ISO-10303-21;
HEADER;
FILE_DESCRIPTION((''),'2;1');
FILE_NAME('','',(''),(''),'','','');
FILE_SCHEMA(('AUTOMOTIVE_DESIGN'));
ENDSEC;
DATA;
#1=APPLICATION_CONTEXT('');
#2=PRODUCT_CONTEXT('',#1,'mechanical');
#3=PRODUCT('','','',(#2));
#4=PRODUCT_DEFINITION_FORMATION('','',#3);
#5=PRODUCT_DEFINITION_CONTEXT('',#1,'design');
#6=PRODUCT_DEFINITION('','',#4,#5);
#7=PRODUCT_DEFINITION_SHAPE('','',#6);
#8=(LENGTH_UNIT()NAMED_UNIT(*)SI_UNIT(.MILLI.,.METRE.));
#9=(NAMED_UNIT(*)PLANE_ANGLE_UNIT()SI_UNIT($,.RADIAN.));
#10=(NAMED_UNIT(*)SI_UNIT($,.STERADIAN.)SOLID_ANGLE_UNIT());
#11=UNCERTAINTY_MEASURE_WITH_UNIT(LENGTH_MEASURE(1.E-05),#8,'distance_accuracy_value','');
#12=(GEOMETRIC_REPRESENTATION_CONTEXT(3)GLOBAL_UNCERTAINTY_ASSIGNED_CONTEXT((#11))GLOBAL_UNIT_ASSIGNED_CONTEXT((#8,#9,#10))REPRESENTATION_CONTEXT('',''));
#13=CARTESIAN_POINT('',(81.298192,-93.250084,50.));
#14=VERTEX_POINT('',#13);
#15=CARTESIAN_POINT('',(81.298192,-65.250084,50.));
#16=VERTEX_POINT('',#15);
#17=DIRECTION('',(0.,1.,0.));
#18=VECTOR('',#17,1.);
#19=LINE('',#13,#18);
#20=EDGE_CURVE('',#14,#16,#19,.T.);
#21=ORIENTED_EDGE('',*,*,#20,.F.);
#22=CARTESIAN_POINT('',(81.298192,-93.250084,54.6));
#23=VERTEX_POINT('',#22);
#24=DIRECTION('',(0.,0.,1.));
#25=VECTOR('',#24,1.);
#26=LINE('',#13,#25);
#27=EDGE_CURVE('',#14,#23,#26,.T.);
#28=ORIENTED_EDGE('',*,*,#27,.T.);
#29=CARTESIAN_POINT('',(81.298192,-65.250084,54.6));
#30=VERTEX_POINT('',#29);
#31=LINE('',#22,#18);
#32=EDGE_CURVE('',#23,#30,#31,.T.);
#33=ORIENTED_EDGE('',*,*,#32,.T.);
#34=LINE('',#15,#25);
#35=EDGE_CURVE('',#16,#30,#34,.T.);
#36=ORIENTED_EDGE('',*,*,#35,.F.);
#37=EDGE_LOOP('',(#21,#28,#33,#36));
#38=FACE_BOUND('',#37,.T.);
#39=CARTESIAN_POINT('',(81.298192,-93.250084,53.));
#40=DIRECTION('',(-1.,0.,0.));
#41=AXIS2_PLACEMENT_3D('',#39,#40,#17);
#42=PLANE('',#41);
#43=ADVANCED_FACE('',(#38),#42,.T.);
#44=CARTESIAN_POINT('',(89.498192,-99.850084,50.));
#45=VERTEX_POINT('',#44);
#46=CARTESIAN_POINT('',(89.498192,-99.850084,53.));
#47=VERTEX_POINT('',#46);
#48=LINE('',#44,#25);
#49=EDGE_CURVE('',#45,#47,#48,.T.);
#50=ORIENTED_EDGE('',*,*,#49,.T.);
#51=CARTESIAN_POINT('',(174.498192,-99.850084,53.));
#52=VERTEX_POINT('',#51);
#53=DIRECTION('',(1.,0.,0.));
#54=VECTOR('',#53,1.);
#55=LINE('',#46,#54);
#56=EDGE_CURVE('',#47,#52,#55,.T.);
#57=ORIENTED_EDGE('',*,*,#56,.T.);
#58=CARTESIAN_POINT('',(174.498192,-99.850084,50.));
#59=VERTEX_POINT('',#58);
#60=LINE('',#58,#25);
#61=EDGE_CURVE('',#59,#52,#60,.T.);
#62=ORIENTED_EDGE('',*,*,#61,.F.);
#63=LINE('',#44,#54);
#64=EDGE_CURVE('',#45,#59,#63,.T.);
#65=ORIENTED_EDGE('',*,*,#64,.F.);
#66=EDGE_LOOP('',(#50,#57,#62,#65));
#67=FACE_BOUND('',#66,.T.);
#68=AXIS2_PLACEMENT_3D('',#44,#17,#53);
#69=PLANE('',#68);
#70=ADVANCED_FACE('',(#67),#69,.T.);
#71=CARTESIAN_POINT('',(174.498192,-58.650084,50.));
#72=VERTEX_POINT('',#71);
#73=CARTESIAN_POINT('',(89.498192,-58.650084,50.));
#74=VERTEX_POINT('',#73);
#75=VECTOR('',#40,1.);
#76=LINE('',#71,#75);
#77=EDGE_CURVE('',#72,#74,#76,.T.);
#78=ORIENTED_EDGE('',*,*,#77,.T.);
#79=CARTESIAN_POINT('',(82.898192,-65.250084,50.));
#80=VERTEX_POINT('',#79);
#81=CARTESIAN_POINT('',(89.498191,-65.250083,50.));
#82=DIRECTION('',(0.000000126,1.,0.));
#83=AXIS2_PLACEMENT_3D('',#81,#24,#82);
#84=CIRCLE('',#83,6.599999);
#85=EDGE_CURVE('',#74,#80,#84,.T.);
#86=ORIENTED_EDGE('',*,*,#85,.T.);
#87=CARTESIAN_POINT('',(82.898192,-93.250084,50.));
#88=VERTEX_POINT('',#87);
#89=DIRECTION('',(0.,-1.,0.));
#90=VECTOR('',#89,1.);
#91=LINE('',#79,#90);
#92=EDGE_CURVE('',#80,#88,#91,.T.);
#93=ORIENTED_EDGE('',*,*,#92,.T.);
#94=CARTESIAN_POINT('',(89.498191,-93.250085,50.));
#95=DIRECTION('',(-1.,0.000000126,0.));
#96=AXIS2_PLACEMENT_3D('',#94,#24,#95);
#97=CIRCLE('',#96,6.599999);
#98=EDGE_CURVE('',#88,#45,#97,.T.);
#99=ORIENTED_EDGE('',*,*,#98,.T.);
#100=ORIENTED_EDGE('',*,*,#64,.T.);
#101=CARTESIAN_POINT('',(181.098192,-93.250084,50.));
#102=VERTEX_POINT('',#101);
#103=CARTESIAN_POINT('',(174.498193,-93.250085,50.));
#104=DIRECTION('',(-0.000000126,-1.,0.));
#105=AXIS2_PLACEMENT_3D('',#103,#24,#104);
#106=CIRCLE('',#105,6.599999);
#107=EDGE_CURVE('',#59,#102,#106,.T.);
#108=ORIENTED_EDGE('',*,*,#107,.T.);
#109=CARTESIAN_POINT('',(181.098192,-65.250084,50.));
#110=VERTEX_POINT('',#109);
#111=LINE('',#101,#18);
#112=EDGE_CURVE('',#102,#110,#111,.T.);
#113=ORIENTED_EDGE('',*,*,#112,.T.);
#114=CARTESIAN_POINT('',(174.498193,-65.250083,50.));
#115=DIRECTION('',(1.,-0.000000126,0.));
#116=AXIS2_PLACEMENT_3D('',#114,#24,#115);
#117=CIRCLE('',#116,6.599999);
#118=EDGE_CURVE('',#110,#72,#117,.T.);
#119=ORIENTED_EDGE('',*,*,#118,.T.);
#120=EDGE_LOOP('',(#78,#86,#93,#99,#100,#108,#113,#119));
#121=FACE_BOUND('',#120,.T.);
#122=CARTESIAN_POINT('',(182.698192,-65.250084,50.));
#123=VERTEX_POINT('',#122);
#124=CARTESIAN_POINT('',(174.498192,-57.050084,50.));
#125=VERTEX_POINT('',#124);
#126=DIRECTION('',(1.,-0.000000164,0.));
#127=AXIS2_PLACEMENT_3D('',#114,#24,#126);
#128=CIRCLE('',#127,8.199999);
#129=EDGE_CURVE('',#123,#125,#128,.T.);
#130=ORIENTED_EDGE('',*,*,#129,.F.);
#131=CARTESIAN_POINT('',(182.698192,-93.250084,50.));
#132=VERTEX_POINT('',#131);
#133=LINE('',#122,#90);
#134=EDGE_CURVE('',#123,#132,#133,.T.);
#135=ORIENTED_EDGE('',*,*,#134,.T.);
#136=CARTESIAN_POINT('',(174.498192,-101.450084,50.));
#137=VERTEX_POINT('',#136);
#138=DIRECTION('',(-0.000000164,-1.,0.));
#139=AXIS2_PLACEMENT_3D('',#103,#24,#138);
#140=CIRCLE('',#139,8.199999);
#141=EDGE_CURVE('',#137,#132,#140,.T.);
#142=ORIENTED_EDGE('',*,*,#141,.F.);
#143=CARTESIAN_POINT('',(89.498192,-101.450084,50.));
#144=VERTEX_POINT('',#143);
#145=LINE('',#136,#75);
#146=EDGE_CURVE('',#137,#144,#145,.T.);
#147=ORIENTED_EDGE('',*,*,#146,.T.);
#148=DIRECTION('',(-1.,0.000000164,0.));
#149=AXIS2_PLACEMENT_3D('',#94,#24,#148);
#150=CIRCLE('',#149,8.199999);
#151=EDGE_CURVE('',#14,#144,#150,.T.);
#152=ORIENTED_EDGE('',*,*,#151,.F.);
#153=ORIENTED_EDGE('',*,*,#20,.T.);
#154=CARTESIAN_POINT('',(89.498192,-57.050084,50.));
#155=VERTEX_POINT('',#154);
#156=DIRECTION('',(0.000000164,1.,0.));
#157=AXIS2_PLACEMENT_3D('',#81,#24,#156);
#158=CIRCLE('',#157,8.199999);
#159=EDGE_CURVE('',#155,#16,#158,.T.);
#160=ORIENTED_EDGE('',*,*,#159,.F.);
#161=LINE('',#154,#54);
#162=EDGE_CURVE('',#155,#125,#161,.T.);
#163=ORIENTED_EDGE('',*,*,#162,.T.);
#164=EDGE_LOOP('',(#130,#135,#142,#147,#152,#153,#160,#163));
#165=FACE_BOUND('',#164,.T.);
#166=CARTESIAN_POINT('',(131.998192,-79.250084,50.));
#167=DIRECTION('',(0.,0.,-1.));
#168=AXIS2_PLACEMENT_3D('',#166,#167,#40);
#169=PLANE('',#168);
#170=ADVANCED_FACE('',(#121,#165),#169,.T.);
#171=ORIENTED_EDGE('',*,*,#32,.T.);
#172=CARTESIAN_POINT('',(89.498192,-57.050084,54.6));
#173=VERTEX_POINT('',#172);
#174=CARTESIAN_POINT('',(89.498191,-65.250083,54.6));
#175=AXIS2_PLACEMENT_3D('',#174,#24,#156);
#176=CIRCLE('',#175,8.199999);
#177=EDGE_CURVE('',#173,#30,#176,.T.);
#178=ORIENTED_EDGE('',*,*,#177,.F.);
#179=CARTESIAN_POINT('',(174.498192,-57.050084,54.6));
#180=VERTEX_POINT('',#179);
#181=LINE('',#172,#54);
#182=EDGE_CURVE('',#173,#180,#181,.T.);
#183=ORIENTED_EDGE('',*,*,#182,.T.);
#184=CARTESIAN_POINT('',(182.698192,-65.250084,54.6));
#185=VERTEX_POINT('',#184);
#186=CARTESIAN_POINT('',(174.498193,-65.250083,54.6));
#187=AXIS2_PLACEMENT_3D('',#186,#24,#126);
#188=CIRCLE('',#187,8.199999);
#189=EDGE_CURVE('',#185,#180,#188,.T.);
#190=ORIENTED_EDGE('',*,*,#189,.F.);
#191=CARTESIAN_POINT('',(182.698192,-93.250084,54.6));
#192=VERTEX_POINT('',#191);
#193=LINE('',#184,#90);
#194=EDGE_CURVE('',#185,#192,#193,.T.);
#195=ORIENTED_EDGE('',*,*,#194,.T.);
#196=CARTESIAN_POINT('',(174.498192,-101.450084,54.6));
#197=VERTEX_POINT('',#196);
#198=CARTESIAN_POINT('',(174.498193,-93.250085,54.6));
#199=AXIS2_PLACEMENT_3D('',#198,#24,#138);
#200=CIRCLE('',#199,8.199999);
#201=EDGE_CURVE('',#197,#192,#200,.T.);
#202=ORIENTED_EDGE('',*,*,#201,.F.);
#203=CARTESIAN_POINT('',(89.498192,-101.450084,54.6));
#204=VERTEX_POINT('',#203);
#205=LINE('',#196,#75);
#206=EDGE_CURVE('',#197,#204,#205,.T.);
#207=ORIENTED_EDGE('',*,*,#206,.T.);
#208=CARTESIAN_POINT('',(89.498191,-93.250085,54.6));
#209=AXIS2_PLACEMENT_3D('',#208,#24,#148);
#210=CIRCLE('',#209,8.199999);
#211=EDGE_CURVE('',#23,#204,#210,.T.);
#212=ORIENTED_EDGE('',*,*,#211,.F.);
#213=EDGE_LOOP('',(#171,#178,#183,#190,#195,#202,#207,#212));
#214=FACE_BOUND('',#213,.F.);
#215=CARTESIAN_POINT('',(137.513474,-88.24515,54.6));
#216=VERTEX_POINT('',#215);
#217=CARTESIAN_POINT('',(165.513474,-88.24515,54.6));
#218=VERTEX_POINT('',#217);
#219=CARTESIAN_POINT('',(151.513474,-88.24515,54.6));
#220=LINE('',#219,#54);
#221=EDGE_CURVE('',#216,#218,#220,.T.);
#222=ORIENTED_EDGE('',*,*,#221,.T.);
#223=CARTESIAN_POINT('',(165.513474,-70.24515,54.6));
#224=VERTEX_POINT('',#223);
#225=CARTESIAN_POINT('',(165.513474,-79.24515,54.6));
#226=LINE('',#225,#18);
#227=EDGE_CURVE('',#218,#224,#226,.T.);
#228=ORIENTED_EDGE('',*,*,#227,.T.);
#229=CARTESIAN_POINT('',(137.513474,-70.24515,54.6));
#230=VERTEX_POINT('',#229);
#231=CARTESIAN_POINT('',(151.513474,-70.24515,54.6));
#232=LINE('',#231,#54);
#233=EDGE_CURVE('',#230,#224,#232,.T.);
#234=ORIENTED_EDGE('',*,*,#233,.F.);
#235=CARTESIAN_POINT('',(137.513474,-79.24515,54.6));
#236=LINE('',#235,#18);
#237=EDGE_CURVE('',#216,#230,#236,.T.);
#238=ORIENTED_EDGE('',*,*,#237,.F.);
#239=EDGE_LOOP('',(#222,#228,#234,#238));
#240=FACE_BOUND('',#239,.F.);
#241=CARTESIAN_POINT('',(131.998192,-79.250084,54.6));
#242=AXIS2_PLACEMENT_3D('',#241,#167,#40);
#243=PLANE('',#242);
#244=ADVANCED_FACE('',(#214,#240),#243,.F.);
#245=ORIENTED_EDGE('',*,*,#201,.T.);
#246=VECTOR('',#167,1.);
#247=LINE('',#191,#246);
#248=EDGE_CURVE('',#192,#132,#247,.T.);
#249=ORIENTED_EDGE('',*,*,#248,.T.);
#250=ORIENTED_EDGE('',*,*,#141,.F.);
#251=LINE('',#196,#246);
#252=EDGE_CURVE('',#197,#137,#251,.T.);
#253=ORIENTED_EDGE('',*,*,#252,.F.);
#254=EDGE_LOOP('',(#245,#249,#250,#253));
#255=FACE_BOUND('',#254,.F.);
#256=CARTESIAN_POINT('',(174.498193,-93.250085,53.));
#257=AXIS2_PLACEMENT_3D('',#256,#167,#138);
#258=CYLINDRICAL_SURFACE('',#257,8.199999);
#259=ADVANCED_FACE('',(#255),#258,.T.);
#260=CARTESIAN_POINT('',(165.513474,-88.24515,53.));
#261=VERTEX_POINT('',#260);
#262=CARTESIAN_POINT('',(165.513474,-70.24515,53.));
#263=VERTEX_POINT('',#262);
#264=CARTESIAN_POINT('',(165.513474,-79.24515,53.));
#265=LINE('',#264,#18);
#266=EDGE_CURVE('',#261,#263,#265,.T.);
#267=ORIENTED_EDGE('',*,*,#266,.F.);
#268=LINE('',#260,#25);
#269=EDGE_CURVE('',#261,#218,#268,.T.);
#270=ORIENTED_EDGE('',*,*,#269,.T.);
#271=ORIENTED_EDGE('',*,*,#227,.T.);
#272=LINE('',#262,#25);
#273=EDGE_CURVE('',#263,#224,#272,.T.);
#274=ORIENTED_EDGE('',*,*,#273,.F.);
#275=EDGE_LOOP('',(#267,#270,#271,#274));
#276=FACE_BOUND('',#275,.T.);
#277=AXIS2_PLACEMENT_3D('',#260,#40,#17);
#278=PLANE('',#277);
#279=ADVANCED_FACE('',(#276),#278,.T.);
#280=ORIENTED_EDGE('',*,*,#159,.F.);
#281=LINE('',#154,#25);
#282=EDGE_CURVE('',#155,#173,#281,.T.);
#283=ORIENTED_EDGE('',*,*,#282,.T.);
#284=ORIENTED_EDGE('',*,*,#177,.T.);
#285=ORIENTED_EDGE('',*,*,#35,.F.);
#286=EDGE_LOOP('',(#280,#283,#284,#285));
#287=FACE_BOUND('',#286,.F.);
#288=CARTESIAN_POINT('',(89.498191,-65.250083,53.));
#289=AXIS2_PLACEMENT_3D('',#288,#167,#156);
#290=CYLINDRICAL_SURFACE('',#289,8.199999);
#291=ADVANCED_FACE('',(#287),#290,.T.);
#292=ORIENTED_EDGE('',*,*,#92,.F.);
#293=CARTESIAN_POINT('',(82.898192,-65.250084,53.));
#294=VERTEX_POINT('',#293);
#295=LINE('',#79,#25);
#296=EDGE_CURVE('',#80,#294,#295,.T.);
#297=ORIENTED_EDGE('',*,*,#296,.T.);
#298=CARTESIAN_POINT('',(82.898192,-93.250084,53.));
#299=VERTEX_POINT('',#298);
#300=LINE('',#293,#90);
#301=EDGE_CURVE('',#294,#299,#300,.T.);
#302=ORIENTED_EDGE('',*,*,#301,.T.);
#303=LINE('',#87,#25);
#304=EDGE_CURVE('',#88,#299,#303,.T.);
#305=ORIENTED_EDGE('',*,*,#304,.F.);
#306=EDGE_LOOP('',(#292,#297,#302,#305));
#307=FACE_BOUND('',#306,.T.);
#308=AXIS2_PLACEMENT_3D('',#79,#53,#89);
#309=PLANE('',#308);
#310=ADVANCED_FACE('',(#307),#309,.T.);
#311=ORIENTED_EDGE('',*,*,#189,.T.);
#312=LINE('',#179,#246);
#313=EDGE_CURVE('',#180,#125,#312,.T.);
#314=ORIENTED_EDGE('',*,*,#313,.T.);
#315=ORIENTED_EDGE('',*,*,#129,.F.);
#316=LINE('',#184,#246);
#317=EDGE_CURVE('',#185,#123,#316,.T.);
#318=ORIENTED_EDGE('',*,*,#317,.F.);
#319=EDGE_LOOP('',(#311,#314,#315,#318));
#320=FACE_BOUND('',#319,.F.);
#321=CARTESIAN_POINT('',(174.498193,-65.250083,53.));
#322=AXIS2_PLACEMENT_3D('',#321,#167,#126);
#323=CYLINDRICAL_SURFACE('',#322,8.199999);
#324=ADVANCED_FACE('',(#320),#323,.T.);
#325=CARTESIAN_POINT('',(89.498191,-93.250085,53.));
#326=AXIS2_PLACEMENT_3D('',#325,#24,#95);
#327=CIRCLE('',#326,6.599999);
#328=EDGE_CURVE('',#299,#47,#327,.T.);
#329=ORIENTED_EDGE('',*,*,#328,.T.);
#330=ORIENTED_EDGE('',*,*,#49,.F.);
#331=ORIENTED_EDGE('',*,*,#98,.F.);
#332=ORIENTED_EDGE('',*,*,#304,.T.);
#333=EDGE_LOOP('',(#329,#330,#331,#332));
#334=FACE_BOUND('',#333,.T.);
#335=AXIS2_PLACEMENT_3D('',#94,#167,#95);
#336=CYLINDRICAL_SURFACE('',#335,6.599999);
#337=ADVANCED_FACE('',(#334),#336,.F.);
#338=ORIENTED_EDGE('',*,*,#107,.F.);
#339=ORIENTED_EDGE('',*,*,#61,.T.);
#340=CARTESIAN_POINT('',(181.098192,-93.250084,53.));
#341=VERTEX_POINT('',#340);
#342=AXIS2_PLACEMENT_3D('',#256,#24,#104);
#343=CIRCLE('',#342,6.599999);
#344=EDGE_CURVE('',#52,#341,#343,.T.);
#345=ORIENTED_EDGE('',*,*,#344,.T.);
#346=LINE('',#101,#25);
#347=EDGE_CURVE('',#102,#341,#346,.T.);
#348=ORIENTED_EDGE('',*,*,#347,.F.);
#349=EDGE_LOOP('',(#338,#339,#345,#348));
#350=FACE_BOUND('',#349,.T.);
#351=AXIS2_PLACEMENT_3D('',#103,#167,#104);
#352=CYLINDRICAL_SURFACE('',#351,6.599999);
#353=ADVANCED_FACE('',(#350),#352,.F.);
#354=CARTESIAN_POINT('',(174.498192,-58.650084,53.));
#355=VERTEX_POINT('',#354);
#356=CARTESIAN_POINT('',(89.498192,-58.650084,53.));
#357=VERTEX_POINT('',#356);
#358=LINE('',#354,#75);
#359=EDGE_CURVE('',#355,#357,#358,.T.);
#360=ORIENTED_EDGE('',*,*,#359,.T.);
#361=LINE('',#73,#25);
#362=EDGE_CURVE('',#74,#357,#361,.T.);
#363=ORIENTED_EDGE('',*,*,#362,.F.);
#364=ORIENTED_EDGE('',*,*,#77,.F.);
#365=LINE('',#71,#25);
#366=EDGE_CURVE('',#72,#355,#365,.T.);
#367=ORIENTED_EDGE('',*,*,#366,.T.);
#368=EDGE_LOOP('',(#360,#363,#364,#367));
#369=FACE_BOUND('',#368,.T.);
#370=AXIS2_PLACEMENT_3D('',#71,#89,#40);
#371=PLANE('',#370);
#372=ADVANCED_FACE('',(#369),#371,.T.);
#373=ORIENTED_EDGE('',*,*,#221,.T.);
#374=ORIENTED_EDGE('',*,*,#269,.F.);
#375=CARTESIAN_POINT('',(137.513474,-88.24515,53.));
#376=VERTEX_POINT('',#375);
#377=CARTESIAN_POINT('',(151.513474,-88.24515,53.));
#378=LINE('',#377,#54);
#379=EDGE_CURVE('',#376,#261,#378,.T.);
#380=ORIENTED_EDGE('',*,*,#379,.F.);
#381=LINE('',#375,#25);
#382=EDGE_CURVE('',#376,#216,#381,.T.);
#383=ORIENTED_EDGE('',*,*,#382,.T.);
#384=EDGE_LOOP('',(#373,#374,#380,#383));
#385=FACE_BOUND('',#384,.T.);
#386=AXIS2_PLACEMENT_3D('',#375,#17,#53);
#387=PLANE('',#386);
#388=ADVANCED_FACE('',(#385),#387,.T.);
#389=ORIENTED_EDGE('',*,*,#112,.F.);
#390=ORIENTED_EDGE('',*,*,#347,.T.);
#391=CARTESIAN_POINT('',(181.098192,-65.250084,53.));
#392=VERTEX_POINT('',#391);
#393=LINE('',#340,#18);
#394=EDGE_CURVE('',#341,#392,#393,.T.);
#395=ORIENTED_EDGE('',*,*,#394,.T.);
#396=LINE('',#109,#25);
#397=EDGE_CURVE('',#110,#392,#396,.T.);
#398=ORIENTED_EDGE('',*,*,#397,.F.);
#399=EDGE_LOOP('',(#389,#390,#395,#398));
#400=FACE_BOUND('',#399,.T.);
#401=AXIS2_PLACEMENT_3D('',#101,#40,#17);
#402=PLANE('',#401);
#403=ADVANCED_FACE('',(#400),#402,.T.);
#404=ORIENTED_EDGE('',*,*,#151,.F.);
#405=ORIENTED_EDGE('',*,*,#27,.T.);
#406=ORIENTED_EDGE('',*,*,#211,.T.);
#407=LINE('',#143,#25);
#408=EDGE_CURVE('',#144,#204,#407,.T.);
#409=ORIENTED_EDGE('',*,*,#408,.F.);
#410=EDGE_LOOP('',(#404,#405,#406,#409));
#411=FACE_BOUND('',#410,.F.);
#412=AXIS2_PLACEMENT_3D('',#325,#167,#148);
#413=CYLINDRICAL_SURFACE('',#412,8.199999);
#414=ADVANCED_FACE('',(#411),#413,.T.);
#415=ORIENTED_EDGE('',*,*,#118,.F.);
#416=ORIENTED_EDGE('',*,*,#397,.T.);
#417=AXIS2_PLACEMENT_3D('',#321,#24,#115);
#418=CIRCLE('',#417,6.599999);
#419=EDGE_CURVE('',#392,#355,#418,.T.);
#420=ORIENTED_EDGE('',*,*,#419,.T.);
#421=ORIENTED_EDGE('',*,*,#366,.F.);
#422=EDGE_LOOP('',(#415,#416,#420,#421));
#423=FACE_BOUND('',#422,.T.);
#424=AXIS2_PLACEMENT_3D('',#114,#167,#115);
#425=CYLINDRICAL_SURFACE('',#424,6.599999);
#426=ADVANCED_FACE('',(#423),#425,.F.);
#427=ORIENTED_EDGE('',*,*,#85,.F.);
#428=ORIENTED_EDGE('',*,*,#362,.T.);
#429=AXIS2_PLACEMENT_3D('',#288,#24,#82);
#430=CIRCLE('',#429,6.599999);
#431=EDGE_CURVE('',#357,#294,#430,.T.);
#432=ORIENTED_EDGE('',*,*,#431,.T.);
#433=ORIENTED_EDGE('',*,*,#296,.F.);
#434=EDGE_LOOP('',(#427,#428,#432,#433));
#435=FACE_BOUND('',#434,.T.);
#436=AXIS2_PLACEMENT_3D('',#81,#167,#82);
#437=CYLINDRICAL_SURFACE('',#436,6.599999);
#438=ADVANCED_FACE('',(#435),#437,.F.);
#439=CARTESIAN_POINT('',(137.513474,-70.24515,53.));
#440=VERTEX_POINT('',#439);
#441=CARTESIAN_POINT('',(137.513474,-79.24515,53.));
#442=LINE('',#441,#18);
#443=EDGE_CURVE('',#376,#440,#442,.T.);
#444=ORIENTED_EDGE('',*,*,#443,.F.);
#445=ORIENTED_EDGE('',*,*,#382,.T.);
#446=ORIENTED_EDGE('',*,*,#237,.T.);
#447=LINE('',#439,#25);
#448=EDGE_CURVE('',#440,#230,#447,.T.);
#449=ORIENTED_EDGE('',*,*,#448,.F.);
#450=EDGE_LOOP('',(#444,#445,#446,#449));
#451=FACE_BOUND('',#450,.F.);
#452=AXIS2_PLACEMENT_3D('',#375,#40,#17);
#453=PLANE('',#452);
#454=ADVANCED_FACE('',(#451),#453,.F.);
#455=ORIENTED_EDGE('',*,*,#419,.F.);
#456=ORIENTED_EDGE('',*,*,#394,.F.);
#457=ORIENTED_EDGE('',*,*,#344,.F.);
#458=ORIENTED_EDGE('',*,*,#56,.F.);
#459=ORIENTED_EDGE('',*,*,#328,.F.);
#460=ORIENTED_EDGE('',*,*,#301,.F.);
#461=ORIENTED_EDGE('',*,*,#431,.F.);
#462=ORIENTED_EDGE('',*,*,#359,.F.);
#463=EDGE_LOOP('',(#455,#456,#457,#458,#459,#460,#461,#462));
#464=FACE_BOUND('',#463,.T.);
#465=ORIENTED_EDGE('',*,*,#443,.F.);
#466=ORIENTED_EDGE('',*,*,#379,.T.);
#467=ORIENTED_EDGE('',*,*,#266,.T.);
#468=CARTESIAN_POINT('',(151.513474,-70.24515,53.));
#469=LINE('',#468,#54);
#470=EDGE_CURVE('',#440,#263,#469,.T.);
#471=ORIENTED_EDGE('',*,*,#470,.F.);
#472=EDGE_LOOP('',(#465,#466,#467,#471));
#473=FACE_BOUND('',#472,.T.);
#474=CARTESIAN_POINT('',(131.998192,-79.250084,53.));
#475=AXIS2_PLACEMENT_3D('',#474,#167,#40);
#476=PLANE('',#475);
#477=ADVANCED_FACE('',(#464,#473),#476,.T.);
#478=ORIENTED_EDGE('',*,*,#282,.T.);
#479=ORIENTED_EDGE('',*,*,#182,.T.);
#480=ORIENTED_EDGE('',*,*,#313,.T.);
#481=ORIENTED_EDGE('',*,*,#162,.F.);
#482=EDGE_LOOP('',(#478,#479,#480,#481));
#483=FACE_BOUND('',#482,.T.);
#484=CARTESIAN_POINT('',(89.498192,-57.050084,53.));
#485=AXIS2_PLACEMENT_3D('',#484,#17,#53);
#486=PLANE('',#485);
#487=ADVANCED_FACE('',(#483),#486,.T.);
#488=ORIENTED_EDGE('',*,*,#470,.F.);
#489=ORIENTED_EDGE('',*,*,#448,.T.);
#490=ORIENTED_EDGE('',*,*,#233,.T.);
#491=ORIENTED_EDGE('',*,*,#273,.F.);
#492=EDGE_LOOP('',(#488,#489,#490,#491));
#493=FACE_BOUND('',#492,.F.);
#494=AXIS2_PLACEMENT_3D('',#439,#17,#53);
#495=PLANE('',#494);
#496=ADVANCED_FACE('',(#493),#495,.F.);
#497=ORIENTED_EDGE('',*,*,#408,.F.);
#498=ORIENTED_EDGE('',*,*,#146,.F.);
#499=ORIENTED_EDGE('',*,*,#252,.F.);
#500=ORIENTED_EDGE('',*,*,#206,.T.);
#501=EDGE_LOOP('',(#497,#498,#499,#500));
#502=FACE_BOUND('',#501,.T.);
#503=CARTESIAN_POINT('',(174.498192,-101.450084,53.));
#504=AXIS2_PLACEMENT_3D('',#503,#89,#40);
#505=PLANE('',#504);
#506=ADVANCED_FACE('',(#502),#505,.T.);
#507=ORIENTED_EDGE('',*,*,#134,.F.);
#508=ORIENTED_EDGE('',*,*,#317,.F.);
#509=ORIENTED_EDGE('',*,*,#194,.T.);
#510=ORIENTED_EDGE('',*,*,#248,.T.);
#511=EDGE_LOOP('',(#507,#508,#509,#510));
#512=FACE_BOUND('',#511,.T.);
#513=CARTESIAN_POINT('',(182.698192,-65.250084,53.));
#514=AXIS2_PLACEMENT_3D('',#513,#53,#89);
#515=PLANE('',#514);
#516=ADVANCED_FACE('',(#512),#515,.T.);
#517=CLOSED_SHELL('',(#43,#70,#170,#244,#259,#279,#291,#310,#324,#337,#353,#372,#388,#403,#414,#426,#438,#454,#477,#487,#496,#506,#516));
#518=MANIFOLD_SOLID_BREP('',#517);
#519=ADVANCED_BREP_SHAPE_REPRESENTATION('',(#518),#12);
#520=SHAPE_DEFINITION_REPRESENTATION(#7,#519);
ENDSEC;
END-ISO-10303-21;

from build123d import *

# Parameters (mm, degrees)
SKETCH004_W      = 28
SKETCH004_H      = 18
EXTRUDE004_DEPTH = 1.6
EXTRUDE003_DEPTH = 3


with BuildPart() as dekseltop:
    # Sketch004 → Extrude004 (new body)
    with BuildSketch(Plane.XY):
        with BuildLine():
            Line((89.498192, -57.050084), (174.498192, -57.050084))
            ThreePointArc((182.698192, -65.250084), (180.296468, -59.451808), (174.498192, -57.050084))
            Line((182.698192, -65.250084), (182.698192, -93.250084))
            ThreePointArc((174.498192, -101.450084), (180.296468, -99.04836), (182.698192, -93.250084))
            Line((174.498192, -101.450084), (89.498192, -101.450084))
            ThreePointArc((81.298192, -93.250084), (83.699916, -99.04836), (89.498192, -101.450084))
            Line((81.298192, -93.250084), (81.298192, -65.250084))
            ThreePointArc((89.498192, -57.050084), (83.699916, -59.451808), (81.298192, -65.250084))
        make_face()
        with Locations((151.513474, -79.24515)):
            Rectangle(SKETCH004_W, SKETCH004_H, mode=Mode.SUBTRACT)
    extrude(amount=EXTRUDE004_DEPTH)


with BuildPart() as dekseltop_1:
    # Extrude004 placement: moved
    add(dekseltop.part.moved(Location((0, 0, 53))))


with BuildPart() as deksel:
    # Sketch003 → Extrude003 (new body)
    with BuildSketch(Plane.XY):
        with BuildLine():
            Line((89.498192, -57.050084), (174.498192, -57.050084))
            ThreePointArc((182.698192, -65.250084), (180.296468, -59.451808), (174.498192, -57.050084))
            Line((182.698192, -65.250084), (182.698192, -93.250084))
            ThreePointArc((174.498192, -101.450084), (180.296468, -99.04836), (182.698192, -93.250084))
            Line((174.498192, -101.450084), (89.498192, -101.450084))
            ThreePointArc((81.298192, -93.250084), (83.699916, -99.04836), (89.498192, -101.450084))
            Line((81.298192, -93.250084), (81.298192, -65.250084))
            ThreePointArc((89.498192, -57.050084), (83.699916, -59.451808), (81.298192, -65.250084))
        make_face()
        with BuildLine():
            Line((89.498192, -99.850084), (174.498192, -99.850084))
            ThreePointArc((174.498192, -99.850084), (179.165097, -97.916989), (181.098192, -93.250084))
            Line((181.098192, -93.250084), (181.098192, -65.250084))
            ThreePointArc((181.098192, -65.250084), (179.165097, -60.583179), (174.498192, -58.650084))
            Line((174.498192, -58.650084), (89.498192, -58.650084))
            ThreePointArc((89.498192, -58.650084), (84.831287, -60.583179), (82.898192, -65.250084))
            Line((82.898192, -65.250084), (82.898192, -93.250084))
            ThreePointArc((82.898192, -93.250084), (84.831287, -97.916989), (89.498192, -99.850084))
        make_face(mode=Mode.SUBTRACT)
    extrude(amount=EXTRUDE003_DEPTH)


with BuildPart() as deksel_1:
    # Extrude003 placement: moved
    add(deksel.part.moved(Location((0, 0, 50))))

    # Fusion001: union DekselTop
    add(dekseltop_1.part)


solid = deksel_1.part
